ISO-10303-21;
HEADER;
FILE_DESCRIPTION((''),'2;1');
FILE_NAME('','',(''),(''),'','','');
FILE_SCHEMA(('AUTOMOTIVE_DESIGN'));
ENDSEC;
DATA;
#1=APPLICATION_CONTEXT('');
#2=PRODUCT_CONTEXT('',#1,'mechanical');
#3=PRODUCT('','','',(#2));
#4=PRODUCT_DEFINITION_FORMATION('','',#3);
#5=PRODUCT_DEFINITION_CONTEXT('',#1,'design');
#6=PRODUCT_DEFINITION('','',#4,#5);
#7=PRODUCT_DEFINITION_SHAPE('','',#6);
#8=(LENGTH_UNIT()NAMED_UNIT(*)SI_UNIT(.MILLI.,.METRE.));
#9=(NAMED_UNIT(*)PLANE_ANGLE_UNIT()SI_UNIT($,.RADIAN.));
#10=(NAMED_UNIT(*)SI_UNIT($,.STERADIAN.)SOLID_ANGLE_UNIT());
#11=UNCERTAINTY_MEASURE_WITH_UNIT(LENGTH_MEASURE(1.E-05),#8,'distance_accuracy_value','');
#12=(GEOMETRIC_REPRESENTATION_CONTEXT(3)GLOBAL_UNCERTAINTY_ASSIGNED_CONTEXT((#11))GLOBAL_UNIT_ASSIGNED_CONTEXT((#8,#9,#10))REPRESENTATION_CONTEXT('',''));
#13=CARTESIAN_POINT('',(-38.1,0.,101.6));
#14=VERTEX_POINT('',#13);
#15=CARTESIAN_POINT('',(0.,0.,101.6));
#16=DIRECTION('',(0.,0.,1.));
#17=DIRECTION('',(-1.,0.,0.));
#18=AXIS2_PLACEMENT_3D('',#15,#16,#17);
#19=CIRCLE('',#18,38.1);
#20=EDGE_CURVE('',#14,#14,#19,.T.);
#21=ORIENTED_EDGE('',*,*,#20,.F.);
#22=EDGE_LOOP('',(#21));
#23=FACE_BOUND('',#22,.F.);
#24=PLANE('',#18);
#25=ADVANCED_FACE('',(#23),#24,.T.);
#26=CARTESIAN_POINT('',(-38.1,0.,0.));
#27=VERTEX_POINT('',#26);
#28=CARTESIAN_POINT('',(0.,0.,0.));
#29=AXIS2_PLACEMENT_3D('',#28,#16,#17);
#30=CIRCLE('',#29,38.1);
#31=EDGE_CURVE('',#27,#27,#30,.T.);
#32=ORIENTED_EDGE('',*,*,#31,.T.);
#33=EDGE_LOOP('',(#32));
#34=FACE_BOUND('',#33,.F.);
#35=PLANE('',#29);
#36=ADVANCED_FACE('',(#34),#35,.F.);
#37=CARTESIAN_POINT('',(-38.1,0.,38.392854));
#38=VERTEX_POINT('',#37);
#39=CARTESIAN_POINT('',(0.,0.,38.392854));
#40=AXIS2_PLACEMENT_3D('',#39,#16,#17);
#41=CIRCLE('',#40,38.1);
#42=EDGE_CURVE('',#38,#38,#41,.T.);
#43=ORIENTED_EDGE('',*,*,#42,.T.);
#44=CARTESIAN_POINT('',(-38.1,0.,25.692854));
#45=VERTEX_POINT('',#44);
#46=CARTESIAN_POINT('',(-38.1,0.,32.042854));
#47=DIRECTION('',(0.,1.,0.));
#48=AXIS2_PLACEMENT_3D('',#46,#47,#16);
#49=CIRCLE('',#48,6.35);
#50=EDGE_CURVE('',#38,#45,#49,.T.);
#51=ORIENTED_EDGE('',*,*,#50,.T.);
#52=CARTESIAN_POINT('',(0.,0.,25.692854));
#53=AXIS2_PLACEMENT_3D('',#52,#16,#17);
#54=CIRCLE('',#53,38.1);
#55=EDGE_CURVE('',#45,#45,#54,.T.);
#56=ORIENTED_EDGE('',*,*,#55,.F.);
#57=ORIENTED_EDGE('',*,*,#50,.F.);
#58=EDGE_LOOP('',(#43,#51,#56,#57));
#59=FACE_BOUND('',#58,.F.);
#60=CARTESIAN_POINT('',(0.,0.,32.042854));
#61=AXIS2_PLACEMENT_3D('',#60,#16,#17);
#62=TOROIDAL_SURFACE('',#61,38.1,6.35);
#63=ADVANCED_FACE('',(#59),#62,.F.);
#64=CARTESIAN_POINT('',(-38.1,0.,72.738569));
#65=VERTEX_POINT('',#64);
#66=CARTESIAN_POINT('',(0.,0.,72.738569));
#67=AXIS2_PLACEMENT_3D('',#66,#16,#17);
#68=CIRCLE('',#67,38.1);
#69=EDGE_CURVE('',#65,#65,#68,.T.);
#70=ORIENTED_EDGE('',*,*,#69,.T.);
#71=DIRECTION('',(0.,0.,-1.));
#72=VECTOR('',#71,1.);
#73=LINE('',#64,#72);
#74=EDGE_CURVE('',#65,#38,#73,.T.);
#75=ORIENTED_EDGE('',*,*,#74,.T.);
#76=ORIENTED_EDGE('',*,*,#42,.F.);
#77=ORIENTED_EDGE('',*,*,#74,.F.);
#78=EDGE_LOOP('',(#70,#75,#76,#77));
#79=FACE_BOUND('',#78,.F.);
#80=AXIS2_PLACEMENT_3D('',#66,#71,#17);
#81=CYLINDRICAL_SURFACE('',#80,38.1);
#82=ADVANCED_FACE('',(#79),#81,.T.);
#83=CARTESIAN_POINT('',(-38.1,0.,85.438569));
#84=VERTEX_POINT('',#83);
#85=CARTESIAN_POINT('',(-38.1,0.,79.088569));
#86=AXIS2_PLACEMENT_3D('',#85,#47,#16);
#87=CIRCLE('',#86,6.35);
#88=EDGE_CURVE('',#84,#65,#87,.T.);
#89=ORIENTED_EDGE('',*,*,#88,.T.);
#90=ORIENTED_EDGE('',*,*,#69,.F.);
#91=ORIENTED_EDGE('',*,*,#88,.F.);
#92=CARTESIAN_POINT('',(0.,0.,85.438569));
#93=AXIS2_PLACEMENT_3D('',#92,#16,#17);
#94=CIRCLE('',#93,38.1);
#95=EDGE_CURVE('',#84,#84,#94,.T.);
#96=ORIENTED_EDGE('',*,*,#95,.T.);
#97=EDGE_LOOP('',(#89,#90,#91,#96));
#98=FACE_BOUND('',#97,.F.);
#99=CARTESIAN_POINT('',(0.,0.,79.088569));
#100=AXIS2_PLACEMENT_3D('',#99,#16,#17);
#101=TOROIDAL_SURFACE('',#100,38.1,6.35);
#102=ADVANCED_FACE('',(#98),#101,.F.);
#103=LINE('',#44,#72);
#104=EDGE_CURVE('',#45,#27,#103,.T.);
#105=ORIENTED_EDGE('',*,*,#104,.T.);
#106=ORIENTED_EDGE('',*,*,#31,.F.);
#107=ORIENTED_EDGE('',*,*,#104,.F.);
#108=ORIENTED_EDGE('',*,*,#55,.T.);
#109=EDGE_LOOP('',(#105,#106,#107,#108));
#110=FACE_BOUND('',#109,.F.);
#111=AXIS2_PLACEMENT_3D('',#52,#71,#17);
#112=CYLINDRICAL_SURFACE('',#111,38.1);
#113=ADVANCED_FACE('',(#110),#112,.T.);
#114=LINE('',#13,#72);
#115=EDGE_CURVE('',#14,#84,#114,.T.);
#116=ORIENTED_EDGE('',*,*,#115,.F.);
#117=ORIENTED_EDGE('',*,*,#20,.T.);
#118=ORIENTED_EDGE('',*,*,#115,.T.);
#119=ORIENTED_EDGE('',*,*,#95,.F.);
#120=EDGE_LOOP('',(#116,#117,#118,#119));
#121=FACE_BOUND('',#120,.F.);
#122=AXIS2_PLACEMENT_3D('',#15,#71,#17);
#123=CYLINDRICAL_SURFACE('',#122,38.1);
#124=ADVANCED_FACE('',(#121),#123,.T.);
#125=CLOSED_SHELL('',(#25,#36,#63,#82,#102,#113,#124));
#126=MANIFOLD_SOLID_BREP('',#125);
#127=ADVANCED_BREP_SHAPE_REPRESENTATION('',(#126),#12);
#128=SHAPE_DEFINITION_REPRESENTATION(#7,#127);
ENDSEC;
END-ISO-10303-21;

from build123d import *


with BuildPart() as f1:
    # F0 (on Front) → F1 (revolve)
    with BuildSketch(Plane.XZ):
        with BuildLine():
            Line((-38.1, 0), (0, 0))
            Line((0, 0), (0, 101.6))
            Line((0, 101.6), (-38.1, 101.6))
            Line((-38.1, 101.6), (-38.1, 85.438569))
            ThreePointArc((-38.1, 85.438569), (-31.75, 79.088569), (-38.1, 72.738569))
            Line((-38.1, 72.738569), (-38.1, 38.392854))
            ThreePointArc((-38.1, 38.392854), (-31.75, 32.042854), (-38.1, 25.692854))
            Line((-38.1, 25.692854), (-38.1, 0))
        make_face()
    revolve(axis=Axis((0, 0, 50.8), (0, 0, 1)))


solid = f1.part
